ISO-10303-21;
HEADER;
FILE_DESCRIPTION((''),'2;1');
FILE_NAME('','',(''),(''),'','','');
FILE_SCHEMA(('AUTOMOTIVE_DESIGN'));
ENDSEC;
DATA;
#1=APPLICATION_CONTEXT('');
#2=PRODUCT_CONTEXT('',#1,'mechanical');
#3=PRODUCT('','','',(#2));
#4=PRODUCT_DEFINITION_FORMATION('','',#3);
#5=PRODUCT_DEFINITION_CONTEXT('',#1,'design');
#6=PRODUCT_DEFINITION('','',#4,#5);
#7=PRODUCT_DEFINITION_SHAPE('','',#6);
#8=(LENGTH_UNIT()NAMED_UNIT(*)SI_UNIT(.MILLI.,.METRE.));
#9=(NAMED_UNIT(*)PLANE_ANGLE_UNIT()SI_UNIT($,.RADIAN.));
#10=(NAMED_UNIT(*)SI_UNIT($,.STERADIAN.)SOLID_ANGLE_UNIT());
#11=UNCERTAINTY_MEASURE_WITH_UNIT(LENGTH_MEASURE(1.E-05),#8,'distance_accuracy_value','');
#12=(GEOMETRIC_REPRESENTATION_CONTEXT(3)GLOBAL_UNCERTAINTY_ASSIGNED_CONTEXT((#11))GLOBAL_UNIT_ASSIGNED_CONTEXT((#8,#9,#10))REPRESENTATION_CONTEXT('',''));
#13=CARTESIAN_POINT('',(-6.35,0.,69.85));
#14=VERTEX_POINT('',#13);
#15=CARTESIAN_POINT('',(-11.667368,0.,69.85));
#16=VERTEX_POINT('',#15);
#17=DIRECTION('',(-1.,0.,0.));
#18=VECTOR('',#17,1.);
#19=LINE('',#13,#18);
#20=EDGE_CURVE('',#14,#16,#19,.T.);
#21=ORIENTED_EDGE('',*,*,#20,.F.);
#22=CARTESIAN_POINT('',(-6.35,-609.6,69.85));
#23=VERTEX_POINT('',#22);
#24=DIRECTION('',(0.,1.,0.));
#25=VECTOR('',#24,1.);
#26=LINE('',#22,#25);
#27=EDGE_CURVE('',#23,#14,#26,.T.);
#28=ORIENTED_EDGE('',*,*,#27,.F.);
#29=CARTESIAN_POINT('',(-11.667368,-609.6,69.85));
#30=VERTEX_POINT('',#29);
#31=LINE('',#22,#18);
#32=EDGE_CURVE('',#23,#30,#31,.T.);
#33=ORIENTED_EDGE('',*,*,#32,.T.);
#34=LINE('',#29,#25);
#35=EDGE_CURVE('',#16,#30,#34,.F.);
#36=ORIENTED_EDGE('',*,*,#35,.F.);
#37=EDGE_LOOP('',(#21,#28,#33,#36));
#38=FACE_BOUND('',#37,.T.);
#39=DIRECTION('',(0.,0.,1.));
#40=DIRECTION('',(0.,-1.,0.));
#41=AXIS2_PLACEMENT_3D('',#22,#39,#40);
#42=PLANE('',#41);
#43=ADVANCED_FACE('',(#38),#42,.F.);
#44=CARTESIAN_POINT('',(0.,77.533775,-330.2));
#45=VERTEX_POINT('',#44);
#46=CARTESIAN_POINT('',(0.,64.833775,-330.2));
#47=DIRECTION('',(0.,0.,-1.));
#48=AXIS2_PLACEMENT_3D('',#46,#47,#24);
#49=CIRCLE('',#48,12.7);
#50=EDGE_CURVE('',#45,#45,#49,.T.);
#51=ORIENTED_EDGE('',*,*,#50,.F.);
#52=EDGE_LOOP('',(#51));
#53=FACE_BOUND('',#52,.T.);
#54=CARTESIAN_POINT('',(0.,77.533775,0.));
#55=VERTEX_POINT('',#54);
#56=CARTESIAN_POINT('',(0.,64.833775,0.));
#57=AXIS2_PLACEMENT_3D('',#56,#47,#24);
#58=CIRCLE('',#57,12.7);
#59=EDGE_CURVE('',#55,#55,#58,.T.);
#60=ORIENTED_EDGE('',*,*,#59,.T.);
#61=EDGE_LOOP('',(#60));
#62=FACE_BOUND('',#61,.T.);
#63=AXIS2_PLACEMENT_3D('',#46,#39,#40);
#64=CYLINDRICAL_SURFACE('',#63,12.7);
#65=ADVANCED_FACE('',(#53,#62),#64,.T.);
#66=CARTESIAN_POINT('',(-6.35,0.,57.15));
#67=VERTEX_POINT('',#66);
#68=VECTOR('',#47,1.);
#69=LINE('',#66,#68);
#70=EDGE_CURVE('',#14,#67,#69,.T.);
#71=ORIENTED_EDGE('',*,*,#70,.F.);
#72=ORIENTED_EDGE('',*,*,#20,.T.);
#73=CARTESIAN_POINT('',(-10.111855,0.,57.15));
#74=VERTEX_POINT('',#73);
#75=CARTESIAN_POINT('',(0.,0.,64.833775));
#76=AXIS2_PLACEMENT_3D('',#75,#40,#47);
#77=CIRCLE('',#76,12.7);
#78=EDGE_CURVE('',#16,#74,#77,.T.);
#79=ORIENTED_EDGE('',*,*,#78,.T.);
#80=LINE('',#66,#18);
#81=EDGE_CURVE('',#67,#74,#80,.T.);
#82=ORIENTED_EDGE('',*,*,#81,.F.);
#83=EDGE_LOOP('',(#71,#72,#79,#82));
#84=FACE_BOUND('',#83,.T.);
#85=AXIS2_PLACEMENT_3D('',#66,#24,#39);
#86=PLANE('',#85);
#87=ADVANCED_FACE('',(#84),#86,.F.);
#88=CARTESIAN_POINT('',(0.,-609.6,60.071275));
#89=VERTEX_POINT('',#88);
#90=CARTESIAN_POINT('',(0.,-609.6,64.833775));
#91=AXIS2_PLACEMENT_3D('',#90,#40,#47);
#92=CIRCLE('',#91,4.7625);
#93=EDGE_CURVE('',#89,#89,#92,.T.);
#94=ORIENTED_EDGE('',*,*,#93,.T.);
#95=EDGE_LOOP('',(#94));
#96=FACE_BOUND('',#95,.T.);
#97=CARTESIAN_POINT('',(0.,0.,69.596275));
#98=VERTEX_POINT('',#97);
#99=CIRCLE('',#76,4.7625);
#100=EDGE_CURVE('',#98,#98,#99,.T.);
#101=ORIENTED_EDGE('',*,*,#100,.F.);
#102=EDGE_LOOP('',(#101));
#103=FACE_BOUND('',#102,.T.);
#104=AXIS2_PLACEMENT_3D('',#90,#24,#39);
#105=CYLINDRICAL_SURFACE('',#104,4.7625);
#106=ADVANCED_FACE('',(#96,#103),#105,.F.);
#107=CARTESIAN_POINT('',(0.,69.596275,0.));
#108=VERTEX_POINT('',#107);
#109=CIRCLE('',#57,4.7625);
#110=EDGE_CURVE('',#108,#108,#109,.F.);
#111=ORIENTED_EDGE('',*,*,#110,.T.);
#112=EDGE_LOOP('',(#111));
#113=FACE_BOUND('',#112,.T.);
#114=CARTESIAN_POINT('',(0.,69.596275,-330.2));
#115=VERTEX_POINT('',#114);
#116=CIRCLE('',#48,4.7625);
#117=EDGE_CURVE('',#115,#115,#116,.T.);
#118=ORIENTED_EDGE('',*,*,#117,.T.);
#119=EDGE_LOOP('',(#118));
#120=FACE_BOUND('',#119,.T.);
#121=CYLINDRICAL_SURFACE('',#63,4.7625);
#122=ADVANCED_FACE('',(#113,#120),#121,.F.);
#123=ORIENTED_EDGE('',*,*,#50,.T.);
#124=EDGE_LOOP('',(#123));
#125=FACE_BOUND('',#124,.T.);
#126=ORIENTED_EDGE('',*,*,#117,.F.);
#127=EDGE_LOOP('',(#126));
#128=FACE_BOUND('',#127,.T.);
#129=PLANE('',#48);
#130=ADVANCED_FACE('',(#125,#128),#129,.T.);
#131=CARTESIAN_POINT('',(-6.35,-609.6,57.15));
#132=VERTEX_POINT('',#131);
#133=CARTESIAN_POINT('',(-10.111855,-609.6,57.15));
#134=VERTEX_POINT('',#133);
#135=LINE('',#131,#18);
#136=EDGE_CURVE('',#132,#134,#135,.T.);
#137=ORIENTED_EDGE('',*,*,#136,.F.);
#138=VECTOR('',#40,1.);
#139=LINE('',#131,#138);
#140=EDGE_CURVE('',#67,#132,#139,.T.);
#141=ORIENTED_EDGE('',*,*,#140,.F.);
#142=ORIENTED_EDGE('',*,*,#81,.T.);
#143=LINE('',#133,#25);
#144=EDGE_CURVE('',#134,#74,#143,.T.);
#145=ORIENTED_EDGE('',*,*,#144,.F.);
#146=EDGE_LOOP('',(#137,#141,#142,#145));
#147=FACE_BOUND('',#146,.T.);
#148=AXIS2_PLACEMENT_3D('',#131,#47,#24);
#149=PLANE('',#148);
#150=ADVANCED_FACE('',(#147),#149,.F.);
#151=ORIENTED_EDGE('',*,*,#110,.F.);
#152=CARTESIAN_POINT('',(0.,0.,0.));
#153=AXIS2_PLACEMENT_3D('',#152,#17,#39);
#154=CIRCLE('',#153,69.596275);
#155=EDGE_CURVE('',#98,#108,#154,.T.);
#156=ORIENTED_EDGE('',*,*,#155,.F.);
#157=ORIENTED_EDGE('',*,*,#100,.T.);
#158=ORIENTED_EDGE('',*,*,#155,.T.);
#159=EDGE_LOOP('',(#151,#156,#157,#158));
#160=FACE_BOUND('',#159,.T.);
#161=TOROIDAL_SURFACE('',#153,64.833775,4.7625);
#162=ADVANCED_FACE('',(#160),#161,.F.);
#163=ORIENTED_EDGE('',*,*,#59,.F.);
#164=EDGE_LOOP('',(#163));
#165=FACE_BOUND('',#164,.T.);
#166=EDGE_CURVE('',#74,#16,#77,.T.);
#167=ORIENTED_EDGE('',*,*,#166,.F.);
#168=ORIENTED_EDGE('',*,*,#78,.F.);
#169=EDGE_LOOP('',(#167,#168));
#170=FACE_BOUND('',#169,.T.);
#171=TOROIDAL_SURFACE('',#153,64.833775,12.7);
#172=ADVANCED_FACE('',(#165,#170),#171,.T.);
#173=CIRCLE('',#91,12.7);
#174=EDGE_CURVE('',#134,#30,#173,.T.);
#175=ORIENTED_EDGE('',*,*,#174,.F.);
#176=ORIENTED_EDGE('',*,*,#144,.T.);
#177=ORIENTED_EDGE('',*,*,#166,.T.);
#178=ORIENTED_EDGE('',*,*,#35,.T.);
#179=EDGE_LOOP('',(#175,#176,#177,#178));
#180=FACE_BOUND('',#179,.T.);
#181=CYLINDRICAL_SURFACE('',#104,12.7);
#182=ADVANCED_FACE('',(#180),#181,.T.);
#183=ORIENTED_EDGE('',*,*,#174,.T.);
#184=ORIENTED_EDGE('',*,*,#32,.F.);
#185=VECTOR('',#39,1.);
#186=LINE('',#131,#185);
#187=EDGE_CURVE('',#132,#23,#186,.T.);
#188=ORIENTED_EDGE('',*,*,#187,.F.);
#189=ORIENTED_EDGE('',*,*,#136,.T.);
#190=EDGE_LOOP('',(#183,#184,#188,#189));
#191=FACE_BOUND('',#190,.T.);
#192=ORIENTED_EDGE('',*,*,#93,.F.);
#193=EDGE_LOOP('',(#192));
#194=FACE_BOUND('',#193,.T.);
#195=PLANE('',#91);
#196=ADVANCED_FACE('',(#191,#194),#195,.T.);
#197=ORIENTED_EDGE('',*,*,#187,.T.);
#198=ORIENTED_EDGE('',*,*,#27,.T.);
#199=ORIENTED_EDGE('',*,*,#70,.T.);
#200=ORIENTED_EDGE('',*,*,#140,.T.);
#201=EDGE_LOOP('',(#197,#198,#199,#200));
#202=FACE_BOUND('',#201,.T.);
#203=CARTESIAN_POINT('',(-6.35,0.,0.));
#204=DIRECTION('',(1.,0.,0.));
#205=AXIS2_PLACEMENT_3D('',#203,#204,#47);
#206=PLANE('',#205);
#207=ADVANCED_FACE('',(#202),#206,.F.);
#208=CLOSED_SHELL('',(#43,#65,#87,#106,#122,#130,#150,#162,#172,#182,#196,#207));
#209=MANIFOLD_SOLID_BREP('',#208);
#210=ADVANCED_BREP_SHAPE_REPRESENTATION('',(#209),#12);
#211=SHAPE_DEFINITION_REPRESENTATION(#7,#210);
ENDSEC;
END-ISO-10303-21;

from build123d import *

# Parameters (mm, degrees)
SKETCH3_R           = 12.7
SKETCH3_R_2         = 4.7625
SKETCH4_R           = 12.7
SKETCH4_R_2         = 4.7625
BOSS_EXTRUDE3_DEPTH = 609.6
SKETCH5_R           = 12.7
SKETCH5_R_2         = 4.7625
BOSS_EXTRUDE4_DEPTH = 330.2
SKETCH6_W           = 12.7
SKETCH6_H           = 609.6
CUT_EXTRUDE1_DEPTH  = 6.35


with BuildPart() as part:
    # Sweep1: sweep along a path in Sketch2
    with BuildLine(Plane(origin=(0, 0, 0), x_dir=(0, 0, -1), z_dir=(1, 0, 0))) as sweep1_path:
        ThreePointArc((-64.833774642, 0), (-45.844401699, 45.844401699), (0, 64.833774642))
    # Sketch3 → Sweep1 (sweep)
    with BuildSketch(Plane(origin=(0, 0, 0), x_dir=(1, 0, 0), z_dir=(0, 1, 0))):
        with Locations((0, -64.833774642)):
            Circle(SKETCH3_R)
        with Locations((0, -64.833774642)):
            Circle(SKETCH3_R_2, mode=Mode.SUBTRACT)
    sweep(path=sweep1_path.line)

    # Sketch4 → Boss-Extrude3 (add)
    with BuildSketch(Plane(origin=(0, 0, 0), x_dir=(-1, 0, 0), z_dir=(0, -1, 0))):
        with Locations((0, -64.833774642)):
            Circle(SKETCH4_R)
        with Locations((0, -64.833774642)):
            Circle(SKETCH4_R_2, mode=Mode.SUBTRACT)
    extrude(amount=BOSS_EXTRUDE3_DEPTH)

    # Sketch5 → Boss-Extrude4 (add)
    with BuildSketch(Plane(origin=(0, 0, 0), x_dir=(-1, 0, 0), z_dir=(0, 0, -1))):
        with Locations((0, 64.833774642)):
            Circle(SKETCH5_R)
        with Locations((0, 64.833774642)):
            Circle(SKETCH5_R_2, mode=Mode.SUBTRACT)
    extrude(amount=BOSS_EXTRUDE4_DEPTH)

    # Sketch6 → Cut-Extrude1 (cut)
    with BuildSketch(Plane.ZY.offset(12.7)):
        with Locations((63.5, -304.8)):
            Rectangle(SKETCH6_W, SKETCH6_H)
    extrude(amount=-CUT_EXTRUDE1_DEPTH, mode=Mode.SUBTRACT)


solid = part.part
